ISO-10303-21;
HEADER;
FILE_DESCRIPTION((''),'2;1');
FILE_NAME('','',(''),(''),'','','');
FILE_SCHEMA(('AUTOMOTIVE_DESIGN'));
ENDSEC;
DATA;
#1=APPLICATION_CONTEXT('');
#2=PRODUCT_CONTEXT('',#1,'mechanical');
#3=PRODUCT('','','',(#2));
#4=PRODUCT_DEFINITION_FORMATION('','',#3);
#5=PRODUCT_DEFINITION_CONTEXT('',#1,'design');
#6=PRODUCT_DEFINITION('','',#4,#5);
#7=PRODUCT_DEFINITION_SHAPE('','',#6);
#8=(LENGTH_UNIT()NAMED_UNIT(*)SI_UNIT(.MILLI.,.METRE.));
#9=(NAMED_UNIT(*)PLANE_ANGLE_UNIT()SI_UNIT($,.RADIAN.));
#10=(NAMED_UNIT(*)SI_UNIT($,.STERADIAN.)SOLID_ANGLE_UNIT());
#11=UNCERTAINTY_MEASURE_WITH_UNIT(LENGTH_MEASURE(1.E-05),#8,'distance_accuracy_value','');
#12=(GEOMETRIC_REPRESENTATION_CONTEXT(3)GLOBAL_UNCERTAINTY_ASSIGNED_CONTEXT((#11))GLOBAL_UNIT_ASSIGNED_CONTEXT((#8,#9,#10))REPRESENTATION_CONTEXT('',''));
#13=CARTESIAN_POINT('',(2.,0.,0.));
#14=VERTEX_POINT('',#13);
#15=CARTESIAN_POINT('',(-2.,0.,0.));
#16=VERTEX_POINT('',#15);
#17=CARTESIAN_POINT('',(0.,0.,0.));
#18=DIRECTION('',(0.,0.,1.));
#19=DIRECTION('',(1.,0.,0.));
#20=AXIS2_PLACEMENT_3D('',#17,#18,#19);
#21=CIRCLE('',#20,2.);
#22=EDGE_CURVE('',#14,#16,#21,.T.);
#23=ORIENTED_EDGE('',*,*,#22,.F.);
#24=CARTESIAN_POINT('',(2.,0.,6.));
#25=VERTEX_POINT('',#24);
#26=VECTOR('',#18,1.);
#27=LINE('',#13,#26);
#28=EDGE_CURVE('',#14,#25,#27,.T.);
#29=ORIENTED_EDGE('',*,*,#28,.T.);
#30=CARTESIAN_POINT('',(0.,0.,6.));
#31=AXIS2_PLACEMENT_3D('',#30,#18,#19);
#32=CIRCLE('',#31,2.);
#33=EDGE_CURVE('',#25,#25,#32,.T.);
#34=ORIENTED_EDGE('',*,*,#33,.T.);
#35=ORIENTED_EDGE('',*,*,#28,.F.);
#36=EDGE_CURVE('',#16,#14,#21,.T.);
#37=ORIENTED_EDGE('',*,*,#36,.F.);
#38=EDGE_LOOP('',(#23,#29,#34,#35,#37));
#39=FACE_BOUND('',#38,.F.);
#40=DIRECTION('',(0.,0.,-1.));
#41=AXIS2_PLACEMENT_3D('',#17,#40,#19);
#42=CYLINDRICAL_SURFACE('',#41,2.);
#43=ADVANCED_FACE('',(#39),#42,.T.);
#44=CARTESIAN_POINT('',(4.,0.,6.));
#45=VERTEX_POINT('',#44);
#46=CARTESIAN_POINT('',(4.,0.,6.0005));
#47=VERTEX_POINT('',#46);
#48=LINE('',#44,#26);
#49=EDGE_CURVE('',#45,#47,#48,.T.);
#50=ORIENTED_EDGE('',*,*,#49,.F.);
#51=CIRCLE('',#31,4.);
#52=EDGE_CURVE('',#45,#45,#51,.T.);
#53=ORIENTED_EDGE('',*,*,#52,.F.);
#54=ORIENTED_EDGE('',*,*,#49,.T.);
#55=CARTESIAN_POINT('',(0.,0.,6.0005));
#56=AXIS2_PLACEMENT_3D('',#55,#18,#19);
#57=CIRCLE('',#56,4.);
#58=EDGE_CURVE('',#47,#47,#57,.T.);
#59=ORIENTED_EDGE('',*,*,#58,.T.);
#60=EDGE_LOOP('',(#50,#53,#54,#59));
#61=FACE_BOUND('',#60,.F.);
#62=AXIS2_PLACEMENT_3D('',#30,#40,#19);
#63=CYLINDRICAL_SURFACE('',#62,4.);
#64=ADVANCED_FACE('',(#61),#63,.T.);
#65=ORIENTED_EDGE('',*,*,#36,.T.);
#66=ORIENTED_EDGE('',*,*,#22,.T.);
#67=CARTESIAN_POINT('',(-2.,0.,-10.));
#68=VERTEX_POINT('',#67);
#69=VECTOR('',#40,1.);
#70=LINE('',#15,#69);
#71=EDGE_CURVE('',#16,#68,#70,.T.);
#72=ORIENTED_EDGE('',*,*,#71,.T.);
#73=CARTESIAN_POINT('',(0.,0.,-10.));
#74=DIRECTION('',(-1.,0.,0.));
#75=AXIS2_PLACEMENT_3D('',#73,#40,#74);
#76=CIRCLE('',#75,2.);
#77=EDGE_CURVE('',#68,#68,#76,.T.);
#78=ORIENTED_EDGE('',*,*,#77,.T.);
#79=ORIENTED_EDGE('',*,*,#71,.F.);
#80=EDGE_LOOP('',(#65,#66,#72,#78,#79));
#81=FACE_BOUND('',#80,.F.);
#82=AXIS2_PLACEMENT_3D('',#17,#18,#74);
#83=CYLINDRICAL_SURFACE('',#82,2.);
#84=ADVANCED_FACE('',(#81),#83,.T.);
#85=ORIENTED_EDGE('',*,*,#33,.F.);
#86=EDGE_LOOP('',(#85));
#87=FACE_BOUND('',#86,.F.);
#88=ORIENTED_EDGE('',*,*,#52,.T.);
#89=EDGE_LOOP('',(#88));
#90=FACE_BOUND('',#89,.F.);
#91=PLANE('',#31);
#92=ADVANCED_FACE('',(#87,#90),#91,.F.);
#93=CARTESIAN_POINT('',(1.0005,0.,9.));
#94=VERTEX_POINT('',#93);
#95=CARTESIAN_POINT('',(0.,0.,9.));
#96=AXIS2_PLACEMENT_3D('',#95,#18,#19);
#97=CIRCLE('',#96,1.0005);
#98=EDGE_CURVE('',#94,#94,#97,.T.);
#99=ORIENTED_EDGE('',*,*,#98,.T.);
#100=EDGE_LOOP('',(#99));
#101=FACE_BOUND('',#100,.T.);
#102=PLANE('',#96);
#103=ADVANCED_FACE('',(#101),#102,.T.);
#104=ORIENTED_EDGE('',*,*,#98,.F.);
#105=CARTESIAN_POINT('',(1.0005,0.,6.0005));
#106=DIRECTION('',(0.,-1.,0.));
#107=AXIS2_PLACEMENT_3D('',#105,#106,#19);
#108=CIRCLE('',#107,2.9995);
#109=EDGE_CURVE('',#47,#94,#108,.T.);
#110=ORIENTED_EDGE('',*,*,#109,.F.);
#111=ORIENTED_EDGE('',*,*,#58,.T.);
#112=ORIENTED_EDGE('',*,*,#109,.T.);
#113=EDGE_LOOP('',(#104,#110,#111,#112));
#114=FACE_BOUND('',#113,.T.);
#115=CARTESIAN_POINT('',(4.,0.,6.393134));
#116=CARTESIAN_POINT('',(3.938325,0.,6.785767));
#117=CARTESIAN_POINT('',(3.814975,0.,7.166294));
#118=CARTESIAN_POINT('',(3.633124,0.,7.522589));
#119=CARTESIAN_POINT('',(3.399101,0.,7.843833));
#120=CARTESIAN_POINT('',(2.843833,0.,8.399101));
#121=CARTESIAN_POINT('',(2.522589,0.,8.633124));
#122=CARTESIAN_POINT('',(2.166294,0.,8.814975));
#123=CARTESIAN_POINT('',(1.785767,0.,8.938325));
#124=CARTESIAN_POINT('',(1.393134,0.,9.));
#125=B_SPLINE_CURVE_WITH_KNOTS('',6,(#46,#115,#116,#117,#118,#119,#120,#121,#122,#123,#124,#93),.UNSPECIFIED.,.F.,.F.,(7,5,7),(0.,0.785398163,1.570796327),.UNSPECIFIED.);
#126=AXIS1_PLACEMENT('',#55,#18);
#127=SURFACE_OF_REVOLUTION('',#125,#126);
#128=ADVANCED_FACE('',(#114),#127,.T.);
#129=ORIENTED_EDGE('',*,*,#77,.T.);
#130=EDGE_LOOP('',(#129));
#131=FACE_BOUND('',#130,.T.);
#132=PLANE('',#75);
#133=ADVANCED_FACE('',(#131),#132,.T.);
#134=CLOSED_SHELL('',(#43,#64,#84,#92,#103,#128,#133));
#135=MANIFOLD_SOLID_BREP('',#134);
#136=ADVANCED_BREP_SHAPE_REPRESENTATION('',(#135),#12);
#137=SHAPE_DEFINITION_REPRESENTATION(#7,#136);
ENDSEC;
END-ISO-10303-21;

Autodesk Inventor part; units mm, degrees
ref_plane "YZ Plane" through (0, 0, 0) normal (1, 0, 0) x (0, 1, 0)
ref_plane "XZ Plane" through (0, 0, 0) normal (0, 1, 0) x (-1, 0, 0)
ref_plane "XY Plane" through (0, 0, 0) normal (0, 0, 1) x (1, 0, 0)
sketch "スケッチ1" plane through (0, 0, 0) normal (0, 0, 1) x (1, 0, 0)
  circle A0 centre (0, 0) radius 2
  dimension "d0" = 4
extrude "押し出し1" add sketch "スケッチ1" along normal blind 6
sketch "スケッチ2" plane through (0, 0, 6) normal (0, 0, 1) x (1, 0, 0)
  circle A0 centre (0, 0) radius 2 projected
  circle A1 centre (0, 0) radius 4
  dimension "d3" = 8
extrude "押し出し2" add sketch "スケッチ2" along normal blind 3 contours A0 | A1
fillet "フィレット1" radius 3 1 edges at (-4, 0, 9)
thread "ねじ1" size "M4x0.7" class "6g" standard "ANSI Metric M Profile" full length
sketch "スケッチ3" plane through (0, 0, 0) normal (0, 0, -1) x (-1, 0, 0)
  circle A0 centre (0, 0) radius 2
extrude "押し出し3" add sketch "スケッチ3" along normal blind 10
properties part number "SB　M4 16mm なべネジ" material "Stainless Steel, 440C"
